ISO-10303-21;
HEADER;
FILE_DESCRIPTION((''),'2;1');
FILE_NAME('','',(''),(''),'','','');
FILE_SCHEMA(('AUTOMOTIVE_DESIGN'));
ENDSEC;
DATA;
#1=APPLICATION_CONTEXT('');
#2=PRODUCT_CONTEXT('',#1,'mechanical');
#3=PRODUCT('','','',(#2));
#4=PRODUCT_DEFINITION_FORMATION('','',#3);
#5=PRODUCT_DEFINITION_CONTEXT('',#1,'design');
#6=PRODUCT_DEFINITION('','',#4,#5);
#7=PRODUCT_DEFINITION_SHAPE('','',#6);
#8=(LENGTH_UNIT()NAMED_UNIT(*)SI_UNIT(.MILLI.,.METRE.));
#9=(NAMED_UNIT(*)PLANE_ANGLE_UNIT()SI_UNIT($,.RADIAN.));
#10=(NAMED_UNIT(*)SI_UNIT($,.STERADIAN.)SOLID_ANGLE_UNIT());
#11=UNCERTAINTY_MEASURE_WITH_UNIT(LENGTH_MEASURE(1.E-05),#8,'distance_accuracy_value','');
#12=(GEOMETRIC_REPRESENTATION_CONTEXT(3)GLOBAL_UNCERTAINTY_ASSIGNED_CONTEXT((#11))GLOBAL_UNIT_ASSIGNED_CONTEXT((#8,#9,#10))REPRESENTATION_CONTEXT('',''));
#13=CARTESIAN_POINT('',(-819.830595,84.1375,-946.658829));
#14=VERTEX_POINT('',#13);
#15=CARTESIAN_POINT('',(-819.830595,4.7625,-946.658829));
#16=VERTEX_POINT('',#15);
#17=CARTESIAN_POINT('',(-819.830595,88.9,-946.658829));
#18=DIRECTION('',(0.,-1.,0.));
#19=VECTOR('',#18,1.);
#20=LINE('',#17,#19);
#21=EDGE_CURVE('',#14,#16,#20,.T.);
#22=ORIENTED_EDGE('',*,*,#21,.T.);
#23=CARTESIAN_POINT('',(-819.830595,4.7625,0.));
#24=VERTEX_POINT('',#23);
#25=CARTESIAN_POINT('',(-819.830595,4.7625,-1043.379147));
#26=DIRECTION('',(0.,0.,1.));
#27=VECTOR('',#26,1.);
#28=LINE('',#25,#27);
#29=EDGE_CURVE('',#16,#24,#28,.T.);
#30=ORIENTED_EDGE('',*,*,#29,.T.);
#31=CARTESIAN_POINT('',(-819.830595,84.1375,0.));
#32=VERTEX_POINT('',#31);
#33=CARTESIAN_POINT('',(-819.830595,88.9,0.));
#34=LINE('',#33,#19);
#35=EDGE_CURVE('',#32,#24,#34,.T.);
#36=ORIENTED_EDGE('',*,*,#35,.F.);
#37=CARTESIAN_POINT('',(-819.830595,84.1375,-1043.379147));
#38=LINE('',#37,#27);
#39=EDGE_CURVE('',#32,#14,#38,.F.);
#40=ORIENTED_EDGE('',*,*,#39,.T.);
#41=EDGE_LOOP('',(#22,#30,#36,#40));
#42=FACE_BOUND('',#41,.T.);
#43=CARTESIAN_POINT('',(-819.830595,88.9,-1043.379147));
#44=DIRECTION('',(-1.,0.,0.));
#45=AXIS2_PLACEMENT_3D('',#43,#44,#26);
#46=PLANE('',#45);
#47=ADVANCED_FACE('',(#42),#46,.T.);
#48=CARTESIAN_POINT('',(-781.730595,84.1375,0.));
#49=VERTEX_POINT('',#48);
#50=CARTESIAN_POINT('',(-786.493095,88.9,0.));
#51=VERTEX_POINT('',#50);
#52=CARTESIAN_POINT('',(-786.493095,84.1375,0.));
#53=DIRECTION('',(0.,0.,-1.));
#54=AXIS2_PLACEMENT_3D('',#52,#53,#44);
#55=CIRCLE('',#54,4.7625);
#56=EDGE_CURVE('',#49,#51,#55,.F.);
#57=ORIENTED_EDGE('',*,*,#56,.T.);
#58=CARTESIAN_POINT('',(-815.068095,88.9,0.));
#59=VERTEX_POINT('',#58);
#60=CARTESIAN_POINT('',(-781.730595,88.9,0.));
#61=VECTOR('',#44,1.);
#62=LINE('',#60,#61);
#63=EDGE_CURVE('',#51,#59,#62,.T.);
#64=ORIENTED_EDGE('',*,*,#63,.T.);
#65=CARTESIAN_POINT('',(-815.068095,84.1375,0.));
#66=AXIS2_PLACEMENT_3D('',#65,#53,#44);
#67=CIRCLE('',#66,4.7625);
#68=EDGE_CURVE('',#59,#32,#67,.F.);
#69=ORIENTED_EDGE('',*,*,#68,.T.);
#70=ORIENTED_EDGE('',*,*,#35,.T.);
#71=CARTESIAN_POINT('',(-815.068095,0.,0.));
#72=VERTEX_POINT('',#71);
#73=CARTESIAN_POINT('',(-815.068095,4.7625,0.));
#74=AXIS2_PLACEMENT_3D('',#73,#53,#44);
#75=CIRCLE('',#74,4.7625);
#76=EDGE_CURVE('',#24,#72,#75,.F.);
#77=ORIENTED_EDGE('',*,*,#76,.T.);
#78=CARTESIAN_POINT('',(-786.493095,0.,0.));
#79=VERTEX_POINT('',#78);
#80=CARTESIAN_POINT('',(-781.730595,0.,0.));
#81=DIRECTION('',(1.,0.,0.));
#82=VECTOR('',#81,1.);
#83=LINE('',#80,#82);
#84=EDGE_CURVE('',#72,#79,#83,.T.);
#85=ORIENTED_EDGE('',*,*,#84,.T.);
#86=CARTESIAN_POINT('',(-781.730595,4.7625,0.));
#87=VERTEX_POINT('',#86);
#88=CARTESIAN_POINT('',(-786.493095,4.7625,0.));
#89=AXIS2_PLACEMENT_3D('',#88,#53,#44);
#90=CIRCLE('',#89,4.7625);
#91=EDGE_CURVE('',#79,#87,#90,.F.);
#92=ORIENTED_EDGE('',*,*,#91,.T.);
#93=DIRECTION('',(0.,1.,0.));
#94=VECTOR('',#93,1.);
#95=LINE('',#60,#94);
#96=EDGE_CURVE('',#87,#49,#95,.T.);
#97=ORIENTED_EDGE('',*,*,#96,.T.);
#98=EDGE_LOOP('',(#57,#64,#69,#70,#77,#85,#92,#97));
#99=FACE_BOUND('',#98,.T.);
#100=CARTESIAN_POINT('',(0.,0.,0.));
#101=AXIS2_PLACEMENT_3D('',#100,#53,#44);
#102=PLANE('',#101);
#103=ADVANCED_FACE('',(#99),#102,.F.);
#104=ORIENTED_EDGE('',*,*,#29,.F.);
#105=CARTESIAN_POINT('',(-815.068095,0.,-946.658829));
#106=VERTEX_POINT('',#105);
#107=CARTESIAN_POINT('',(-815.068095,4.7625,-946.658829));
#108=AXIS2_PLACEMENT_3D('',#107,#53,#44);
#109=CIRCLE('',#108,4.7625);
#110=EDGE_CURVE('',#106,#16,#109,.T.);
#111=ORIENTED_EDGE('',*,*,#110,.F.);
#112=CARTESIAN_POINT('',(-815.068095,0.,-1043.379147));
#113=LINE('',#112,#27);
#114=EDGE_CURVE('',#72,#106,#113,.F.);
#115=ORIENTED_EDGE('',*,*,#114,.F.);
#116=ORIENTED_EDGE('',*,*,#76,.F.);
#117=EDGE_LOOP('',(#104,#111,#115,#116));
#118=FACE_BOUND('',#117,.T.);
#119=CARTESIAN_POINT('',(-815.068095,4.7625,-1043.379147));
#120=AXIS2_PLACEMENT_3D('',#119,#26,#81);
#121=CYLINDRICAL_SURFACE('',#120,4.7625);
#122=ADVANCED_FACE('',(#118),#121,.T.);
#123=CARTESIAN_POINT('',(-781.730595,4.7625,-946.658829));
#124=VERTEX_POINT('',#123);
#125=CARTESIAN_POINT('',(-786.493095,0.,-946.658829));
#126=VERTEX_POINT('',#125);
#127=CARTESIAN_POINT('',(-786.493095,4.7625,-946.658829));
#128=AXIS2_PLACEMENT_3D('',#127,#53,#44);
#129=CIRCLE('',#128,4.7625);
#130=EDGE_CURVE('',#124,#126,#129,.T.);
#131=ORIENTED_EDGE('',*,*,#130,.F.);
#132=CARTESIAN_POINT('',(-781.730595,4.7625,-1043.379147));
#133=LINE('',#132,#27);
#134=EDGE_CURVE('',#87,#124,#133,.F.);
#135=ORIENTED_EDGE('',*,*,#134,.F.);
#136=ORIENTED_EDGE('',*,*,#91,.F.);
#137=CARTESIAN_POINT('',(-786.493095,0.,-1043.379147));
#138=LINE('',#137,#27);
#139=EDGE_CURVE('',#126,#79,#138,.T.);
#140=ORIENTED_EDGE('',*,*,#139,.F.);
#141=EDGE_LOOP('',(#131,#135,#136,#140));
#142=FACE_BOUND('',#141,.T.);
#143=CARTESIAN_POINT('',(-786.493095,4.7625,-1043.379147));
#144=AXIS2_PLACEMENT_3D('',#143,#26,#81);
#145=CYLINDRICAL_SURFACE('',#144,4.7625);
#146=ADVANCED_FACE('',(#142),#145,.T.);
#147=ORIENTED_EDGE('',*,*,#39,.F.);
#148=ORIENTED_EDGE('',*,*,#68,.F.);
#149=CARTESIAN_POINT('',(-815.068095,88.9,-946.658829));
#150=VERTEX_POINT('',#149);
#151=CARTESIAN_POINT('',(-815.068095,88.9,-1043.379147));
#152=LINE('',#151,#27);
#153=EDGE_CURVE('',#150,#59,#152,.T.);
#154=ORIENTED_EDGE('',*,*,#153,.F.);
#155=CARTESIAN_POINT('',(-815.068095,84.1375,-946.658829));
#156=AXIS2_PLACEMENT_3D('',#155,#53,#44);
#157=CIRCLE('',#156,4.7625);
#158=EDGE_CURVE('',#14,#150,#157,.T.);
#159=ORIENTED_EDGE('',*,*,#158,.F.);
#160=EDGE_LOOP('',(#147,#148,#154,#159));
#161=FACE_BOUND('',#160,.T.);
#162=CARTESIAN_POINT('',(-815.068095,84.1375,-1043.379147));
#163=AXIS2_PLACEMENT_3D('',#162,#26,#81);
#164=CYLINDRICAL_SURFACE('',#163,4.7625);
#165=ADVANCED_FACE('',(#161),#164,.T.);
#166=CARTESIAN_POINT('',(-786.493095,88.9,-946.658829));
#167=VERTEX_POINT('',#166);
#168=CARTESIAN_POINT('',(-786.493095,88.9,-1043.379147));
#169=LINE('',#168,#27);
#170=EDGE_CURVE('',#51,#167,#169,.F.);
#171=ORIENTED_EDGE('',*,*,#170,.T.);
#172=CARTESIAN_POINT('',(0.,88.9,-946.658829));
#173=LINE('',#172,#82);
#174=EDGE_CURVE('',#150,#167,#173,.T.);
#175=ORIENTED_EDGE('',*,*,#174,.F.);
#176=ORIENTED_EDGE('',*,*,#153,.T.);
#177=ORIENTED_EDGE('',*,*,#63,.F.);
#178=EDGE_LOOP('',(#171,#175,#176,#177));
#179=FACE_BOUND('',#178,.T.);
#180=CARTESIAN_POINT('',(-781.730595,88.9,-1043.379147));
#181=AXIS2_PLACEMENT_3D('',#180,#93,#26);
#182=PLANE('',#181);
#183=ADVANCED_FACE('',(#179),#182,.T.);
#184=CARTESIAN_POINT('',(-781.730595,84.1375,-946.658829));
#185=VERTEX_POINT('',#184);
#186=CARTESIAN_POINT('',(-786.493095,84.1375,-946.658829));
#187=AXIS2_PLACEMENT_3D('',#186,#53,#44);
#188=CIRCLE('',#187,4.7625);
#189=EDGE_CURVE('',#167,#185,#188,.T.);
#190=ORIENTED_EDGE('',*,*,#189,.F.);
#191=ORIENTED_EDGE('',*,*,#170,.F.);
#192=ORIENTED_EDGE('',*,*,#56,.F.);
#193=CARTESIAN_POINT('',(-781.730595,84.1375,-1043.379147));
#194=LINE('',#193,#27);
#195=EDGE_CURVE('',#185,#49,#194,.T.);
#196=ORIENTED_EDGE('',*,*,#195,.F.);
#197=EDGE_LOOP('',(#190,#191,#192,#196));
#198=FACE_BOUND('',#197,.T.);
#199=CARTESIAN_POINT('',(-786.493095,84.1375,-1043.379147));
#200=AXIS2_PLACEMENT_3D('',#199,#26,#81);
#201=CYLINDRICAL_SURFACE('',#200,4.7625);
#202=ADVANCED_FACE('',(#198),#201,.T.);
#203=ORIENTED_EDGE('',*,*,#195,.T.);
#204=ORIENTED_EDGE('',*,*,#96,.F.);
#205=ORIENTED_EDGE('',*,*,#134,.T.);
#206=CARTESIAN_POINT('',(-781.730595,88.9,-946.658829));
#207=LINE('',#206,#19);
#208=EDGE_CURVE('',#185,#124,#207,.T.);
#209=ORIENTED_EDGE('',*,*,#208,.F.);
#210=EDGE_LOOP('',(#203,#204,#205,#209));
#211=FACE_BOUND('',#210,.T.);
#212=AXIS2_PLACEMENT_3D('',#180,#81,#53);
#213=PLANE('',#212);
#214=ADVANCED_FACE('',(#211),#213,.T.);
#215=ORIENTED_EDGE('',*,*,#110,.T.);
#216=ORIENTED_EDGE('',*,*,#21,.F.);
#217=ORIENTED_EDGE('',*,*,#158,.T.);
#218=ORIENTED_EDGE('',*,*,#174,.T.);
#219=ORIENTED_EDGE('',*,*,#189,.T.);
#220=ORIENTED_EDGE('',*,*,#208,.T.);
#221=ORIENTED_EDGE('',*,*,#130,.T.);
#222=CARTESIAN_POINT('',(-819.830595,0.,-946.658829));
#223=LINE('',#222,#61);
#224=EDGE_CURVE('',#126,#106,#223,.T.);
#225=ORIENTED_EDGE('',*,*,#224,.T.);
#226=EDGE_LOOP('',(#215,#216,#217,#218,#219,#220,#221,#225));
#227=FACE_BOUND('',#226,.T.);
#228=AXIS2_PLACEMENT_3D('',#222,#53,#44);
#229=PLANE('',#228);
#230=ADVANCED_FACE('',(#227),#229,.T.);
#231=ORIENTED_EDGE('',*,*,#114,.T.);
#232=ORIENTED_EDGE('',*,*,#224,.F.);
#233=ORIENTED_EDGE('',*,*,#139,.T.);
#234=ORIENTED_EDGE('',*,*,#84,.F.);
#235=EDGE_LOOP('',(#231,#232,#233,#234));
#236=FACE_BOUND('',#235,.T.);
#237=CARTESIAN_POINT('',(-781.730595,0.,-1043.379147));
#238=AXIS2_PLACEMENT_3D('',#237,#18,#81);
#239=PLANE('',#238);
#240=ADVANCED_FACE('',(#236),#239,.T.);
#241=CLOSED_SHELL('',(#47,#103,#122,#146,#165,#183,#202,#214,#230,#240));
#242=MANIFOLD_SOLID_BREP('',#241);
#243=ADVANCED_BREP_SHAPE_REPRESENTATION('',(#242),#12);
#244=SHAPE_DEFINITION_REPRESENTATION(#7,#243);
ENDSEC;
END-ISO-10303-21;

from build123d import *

# Parameters (mm, degrees)
SKETCH1_W           = 38.1
SKETCH1_H           = 88.9
BOSS_EXTRUDE1_DEPTH = 946.658829
FILLET1_R           = 4.7625


with BuildPart() as part:
    # Sketch1 → Boss-Extrude1 (new body)
    with BuildSketch(Plane.XY):
        with Locations((-800.780594651, 44.45)):
            Rectangle(SKETCH1_W, SKETCH1_H)
    extrude(amount=-BOSS_EXTRUDE1_DEPTH)

    # Fillet1
    fillet1_edges = [part.edges().sort_by_distance(p)[0] for p in [
        (-781.730594651, 88.9, -473.3294145),
        (-819.830594651, 88.9, -473.3294145),
        (-819.830594651, 0, -473.3294145),
        (-781.730594651, 0, -473.3294145),
    ]]
    fillet(fillet1_edges, radius=FILLET1_R)


solid = part.part
